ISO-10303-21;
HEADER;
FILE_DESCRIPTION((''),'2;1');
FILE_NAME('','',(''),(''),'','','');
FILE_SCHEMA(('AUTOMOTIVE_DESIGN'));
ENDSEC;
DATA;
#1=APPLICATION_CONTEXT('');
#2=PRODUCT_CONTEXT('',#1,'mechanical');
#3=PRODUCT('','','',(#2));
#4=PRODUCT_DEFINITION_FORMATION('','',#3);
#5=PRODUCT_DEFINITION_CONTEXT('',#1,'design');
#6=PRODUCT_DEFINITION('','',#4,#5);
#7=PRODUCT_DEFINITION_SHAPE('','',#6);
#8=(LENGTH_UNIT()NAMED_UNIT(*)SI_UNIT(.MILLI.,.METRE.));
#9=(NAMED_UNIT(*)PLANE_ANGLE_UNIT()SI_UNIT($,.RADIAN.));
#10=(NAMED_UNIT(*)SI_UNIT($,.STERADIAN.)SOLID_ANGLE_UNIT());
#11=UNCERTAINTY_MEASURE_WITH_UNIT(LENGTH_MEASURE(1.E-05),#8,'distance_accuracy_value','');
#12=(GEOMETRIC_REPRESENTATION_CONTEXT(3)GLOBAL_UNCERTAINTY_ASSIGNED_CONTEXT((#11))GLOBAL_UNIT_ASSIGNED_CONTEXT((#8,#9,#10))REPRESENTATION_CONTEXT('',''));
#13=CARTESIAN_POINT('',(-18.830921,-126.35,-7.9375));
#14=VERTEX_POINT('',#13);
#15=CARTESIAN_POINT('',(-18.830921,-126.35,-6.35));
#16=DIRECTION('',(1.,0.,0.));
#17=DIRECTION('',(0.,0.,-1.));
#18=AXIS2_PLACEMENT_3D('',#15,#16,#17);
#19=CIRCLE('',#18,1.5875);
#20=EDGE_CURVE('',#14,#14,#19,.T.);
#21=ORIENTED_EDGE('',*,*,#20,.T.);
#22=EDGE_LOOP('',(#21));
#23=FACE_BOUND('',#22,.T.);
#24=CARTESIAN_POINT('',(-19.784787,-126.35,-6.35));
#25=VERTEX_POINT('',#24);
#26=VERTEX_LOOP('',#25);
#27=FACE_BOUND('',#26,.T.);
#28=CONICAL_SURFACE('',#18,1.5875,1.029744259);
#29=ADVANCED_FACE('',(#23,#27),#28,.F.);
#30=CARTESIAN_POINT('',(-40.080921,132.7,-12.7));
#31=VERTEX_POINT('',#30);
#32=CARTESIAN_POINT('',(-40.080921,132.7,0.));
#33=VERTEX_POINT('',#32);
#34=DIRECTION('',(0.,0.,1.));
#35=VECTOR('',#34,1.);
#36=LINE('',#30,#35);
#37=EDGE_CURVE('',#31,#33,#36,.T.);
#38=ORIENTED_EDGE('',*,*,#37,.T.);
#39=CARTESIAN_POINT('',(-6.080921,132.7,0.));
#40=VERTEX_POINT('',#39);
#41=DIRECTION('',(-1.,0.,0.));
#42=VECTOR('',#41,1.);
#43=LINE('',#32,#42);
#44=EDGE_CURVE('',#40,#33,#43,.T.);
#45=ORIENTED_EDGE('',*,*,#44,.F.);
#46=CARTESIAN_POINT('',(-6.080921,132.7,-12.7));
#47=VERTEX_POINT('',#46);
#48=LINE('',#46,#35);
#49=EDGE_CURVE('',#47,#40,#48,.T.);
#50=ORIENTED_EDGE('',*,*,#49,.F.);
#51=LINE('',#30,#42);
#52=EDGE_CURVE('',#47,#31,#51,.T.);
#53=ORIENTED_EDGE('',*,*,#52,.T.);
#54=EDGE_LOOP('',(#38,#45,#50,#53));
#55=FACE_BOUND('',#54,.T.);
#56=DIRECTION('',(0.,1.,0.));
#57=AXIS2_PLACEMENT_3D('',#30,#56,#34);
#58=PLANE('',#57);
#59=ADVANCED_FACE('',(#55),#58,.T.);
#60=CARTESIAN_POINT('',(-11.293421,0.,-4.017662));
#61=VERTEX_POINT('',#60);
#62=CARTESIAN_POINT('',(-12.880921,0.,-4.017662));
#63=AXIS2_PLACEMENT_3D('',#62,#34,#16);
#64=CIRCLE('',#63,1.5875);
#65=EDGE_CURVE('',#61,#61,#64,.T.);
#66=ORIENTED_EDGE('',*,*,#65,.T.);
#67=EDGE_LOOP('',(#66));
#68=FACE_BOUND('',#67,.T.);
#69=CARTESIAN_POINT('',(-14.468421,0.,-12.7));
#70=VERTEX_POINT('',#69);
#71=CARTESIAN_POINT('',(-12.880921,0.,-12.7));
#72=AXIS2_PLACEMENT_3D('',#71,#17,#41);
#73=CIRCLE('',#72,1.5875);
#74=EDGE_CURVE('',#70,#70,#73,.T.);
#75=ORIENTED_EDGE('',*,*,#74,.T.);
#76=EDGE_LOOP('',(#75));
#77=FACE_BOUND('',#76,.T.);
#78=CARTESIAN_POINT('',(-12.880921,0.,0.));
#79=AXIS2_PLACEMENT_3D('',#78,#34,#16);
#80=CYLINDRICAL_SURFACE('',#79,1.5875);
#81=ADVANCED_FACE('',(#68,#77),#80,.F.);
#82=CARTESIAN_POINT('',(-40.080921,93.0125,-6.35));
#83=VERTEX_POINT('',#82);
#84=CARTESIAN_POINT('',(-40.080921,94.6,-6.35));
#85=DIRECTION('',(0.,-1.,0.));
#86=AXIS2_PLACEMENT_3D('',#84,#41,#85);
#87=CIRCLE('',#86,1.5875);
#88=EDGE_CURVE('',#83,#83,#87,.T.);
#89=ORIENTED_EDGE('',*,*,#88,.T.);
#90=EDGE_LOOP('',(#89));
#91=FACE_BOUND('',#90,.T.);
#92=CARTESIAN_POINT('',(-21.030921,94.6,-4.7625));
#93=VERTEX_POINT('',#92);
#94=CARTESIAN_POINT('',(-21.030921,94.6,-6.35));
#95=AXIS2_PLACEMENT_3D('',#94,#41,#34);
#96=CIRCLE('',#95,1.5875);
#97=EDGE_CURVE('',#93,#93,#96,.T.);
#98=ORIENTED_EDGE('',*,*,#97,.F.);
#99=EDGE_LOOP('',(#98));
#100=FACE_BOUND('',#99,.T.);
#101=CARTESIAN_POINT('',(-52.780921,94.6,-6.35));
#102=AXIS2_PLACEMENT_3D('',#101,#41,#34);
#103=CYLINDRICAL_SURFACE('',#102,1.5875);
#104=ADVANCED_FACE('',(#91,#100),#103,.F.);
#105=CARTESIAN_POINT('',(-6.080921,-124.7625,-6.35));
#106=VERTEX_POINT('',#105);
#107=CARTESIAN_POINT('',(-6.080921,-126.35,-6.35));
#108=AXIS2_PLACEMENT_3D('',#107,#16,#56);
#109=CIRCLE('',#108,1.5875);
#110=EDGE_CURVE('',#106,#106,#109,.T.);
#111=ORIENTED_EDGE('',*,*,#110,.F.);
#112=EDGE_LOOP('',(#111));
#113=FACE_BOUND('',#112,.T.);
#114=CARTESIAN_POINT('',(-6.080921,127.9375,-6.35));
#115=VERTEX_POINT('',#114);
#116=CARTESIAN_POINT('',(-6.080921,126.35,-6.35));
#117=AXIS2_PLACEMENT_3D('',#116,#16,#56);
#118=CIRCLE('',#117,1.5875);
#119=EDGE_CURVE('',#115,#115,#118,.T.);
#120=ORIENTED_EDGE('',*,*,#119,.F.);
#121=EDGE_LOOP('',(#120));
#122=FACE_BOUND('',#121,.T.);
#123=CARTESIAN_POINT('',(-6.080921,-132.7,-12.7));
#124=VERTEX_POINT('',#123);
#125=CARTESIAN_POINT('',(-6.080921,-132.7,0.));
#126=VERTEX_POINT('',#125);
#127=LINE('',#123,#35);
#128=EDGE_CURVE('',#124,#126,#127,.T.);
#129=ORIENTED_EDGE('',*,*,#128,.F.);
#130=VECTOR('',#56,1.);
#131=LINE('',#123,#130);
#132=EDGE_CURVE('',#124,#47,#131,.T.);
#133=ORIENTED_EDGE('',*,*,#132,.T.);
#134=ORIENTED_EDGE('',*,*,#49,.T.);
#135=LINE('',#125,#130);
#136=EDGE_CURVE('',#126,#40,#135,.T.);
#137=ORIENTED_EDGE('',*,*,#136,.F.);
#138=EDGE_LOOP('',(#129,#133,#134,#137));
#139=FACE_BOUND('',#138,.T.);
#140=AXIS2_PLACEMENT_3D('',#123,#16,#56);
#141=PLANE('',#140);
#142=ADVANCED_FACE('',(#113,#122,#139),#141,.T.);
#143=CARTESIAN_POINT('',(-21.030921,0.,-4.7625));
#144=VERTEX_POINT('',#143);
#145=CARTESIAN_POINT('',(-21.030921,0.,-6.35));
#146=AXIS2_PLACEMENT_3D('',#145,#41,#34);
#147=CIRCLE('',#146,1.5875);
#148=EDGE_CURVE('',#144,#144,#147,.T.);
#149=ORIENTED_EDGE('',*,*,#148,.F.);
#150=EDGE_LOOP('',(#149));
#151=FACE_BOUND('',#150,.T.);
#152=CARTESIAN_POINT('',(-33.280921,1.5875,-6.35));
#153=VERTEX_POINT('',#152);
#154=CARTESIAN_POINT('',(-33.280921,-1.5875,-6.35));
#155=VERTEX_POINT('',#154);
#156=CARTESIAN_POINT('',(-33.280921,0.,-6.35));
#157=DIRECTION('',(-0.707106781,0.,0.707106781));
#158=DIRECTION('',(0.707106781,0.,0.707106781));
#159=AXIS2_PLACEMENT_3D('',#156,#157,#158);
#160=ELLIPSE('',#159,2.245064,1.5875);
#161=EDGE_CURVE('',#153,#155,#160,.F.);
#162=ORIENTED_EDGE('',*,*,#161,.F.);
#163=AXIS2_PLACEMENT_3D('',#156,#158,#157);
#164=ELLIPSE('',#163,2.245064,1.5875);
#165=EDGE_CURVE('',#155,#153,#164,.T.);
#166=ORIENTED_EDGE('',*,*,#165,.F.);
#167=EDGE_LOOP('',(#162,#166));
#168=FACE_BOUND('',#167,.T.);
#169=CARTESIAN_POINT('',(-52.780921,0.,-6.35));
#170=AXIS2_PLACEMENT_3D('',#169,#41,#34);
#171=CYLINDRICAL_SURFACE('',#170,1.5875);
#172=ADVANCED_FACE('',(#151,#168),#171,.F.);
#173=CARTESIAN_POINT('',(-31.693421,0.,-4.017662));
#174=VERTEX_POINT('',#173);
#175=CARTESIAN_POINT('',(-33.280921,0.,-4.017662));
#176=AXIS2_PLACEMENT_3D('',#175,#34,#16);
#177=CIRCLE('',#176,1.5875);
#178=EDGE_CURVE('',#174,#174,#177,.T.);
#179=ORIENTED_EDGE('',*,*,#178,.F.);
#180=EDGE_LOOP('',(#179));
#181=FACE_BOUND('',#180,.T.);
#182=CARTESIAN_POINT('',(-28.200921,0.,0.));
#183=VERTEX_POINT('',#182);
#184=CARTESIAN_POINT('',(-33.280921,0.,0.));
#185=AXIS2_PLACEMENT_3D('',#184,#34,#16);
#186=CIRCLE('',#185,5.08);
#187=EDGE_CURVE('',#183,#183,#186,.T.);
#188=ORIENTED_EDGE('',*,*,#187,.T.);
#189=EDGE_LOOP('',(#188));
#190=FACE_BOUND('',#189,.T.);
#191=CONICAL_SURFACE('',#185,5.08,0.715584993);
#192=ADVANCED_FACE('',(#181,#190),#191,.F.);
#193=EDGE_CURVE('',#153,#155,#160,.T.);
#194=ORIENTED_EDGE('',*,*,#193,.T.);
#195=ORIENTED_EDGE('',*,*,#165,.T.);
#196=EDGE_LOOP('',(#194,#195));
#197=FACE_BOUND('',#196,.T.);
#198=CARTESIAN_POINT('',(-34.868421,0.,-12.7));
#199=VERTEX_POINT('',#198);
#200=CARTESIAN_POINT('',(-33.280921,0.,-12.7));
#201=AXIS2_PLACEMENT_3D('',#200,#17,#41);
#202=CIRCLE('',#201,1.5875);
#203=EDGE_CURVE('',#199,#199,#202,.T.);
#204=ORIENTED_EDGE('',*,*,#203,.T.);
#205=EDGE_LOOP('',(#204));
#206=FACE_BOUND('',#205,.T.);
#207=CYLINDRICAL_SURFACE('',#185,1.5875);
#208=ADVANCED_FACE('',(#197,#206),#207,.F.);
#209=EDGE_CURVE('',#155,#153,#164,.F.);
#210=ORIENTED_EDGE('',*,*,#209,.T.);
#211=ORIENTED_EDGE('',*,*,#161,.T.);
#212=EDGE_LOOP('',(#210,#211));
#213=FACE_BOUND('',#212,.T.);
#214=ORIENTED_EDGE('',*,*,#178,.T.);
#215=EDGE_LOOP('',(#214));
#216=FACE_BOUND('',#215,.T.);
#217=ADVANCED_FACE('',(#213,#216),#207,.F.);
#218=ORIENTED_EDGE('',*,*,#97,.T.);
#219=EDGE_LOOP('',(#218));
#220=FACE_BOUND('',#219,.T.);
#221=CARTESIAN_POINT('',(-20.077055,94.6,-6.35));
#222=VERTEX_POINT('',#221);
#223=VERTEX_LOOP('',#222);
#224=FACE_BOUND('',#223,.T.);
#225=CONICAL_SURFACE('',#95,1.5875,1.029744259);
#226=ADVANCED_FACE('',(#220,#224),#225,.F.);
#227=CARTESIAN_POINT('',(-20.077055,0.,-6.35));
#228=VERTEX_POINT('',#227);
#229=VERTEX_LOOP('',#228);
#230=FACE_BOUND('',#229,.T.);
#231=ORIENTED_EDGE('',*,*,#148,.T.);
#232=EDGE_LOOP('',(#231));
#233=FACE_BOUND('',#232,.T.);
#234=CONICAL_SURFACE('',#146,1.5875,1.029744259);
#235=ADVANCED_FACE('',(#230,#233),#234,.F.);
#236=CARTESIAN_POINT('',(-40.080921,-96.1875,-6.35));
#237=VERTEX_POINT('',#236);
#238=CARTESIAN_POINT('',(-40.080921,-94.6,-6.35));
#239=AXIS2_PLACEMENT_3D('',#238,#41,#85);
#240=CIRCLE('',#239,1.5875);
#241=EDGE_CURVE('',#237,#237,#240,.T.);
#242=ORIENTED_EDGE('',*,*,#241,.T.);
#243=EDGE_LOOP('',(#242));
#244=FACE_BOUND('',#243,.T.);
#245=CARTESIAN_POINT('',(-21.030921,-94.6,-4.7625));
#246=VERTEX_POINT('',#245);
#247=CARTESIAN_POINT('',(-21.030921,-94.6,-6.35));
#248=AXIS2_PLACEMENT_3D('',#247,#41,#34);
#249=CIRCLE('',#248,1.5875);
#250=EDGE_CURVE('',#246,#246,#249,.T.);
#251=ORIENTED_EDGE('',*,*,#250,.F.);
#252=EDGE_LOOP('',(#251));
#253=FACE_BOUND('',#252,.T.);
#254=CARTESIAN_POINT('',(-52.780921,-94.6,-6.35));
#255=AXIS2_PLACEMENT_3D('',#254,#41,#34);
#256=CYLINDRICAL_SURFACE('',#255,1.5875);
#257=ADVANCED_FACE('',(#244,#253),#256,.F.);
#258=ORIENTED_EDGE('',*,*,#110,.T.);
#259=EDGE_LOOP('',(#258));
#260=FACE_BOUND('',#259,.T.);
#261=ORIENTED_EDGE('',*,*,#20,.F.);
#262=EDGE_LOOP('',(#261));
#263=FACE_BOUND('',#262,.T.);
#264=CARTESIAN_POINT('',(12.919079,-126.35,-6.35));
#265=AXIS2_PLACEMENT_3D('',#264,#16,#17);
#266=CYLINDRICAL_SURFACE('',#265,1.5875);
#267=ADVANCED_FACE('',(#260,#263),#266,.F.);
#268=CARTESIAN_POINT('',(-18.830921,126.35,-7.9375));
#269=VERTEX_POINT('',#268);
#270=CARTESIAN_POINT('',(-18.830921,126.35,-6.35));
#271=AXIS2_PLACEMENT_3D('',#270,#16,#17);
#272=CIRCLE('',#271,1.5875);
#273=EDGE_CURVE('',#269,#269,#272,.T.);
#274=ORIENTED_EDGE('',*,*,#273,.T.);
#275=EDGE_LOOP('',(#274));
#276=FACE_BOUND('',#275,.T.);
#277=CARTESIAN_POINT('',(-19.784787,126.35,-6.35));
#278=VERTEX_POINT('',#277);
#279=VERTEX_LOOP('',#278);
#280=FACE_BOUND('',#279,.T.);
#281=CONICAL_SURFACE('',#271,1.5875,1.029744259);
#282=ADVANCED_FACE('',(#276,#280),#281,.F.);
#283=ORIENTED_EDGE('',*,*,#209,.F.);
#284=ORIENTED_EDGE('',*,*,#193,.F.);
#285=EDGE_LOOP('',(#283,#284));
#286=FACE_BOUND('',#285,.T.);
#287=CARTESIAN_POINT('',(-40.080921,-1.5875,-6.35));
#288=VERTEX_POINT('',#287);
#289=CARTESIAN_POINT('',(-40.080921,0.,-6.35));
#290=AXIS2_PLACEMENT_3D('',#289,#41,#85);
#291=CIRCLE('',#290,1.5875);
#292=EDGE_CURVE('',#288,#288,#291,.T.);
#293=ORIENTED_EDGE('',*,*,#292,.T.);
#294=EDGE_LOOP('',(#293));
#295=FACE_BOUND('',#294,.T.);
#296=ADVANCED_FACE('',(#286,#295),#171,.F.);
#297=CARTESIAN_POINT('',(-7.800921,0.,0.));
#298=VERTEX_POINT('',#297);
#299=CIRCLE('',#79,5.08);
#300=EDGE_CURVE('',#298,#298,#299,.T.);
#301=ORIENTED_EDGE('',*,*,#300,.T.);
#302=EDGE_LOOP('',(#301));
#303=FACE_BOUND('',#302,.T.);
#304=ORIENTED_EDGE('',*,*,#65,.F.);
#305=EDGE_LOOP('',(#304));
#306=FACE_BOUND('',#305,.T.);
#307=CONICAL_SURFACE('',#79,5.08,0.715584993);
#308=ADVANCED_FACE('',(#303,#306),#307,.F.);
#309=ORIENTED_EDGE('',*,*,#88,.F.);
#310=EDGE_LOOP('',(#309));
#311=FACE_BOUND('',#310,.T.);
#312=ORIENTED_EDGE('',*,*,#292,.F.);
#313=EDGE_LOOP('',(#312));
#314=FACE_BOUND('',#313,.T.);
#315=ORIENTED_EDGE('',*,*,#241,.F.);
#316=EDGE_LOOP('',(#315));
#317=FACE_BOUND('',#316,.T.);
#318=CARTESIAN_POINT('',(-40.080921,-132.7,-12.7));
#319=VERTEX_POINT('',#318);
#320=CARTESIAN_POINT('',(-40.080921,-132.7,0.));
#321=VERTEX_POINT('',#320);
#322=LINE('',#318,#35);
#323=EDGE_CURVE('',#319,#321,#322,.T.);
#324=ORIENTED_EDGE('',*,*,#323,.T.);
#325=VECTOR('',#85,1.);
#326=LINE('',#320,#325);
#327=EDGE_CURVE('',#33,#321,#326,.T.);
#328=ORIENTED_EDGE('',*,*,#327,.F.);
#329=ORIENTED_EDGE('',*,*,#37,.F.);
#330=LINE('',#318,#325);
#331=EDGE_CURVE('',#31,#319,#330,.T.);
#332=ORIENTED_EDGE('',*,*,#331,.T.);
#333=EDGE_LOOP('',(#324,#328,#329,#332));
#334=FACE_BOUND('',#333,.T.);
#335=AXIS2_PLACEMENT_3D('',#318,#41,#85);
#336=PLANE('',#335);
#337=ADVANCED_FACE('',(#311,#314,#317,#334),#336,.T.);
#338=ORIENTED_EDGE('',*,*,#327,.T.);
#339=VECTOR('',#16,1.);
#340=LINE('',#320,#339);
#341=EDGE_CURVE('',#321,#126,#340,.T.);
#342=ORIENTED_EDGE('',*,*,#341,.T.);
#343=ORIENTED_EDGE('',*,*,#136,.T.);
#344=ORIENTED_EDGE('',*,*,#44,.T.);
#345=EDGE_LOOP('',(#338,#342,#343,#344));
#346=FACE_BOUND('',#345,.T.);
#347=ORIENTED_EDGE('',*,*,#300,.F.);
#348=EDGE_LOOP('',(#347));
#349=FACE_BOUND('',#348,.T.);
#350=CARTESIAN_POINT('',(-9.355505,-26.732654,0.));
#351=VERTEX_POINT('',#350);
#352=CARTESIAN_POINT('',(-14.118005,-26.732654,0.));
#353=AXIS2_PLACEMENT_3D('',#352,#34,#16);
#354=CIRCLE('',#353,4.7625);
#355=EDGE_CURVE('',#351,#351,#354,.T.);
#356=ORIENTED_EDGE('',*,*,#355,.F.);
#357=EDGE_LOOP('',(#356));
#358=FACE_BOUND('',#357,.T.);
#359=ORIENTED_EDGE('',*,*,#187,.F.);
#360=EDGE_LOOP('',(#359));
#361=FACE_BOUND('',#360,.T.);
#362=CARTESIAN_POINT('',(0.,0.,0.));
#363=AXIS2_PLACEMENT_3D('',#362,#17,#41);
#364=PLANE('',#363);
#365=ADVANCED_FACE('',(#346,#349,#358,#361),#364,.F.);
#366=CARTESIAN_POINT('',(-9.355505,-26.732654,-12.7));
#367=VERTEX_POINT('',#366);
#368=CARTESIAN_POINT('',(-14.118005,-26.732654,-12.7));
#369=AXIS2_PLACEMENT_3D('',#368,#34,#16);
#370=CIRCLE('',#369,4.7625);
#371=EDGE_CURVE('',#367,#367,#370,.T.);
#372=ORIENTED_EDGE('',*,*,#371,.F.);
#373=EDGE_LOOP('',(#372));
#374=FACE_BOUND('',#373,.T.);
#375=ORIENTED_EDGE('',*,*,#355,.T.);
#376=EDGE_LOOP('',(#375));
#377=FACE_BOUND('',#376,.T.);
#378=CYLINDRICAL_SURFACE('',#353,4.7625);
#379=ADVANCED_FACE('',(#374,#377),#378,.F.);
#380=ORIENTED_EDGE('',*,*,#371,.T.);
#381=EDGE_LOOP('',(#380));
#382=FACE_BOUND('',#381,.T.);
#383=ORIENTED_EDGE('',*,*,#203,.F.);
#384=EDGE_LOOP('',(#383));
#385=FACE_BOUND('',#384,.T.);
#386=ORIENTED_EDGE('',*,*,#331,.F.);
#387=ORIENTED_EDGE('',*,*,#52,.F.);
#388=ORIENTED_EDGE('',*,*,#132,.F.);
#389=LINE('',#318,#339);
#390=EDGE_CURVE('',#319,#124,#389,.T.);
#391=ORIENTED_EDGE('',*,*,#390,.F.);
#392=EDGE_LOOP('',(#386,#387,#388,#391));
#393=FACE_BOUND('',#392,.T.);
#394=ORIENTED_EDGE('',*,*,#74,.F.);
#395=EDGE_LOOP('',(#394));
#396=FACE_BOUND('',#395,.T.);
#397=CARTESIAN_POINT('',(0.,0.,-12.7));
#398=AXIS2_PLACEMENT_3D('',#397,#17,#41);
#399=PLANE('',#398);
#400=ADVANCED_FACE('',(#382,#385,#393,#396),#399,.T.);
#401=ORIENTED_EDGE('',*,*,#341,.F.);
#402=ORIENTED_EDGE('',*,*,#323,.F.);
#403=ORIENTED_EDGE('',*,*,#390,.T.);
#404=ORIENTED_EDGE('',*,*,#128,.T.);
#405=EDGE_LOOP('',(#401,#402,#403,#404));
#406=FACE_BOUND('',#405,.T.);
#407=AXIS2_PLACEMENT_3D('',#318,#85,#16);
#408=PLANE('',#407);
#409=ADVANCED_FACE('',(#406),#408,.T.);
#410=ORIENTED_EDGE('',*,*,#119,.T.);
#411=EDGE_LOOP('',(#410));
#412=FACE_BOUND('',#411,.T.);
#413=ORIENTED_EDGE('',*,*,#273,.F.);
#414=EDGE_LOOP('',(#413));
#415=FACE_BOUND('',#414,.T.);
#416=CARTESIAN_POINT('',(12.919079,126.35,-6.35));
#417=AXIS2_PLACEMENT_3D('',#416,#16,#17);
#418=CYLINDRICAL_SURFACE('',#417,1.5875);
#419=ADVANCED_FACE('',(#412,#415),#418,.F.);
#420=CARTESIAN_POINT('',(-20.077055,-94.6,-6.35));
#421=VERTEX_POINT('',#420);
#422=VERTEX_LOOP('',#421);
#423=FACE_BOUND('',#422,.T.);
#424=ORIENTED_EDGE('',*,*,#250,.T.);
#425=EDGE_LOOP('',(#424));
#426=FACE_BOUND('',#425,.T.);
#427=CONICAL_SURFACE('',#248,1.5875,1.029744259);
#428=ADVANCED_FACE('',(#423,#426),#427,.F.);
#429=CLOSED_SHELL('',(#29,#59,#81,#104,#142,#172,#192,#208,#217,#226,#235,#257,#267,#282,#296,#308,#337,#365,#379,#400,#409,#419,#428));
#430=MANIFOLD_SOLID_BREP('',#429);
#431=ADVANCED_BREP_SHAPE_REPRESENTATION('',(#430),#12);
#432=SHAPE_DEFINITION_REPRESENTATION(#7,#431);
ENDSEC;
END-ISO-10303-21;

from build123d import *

# Parameters (mm, degrees)
SKETCH1_W                    = 34
SKETCH1_H                    = 265.399999988
BOSS_EXTRUDE1_DEPTH          = 12.7
F_3_8_0_375_DIAMETER_HOLE1_D = 9.525
HOLE1_D                      = 3.175
HOLE1_DEPTH                  = 31.75
HOLE1_CSINK_D                = 10.16
HOLE1_CSINK_ANGLE            = 82
HOLE1_TIP                    = 0.953866233
HOLE3_D                      = 3.175
HOLE3_DEPTH                  = 31.75
HOLE3_CSINK_D                = 10.16
HOLE3_CSINK_ANGLE            = 82
HOLE3_TIP                    = 0.953866233
HOLE4_D                      = 3.175
HOLE4_DEPTH                  = 31.75
HOLE4_CSINK_D                = 10.16
HOLE4_CSINK_ANGLE            = 82
HOLE4_TIP                    = 0.953866233


with BuildPart() as part:
    # Sketch1 → Boss-Extrude1 (new body)
    with BuildSketch(Plane.XY):
        with Locations((-23.08092085, 0)):
            Rectangle(SKETCH1_W, SKETCH1_H)
    extrude(amount=-BOSS_EXTRUDE1_DEPTH)

    # 3/8 (0.375) Diameter Hole1 (through all)
    with Locations(Plane.XY):
        with Locations((-14.118005489, -26.732654045)):
            Hole(F_3_8_0_375_DIAMETER_HOLE1_D / 2)

    # Hole1
    with Locations(Plane(origin=(12.91907915, 0, 155.024290059), x_dir=(0, -1, 0), z_dir=(1, 0, 0))):
        with Locations((126.349999994, 161.374290059), (146.083333327, 4.074290059), (172.166666661, 4.074290059), (126.349999994, 34.524290059), (126.349999994, 130.924290059), (-172.166666661, 4.074290059), (-146.083333327, 4.074290059), (-126.349999994, 34.524290059), (-126.349999994, 130.924290059), (-126.349999994, 161.374290059)):
            CounterSinkHole(HOLE1_D / 2, HOLE1_CSINK_D / 2, depth=HOLE1_DEPTH, counter_sink_angle=HOLE1_CSINK_ANGLE)
            with Locations((0, 0, -(HOLE1_DEPTH + HOLE1_TIP / 2))):  # 118° drill point
                Cone(0, HOLE1_D / 2, HOLE1_TIP, mode=Mode.SUBTRACT)

    # Hole3
    with Locations(Plane(origin=(-195.367659426, 0, 0), x_dir=(0, -1, 0), z_dir=(0, 0, 1))):
        with Locations((0, 162.086738577), (0, 182.486738577)):
            CounterSinkHole(HOLE3_D / 2, HOLE3_CSINK_D / 2, depth=HOLE3_DEPTH, counter_sink_angle=HOLE3_CSINK_ANGLE)
            with Locations((0, 0, -(HOLE3_DEPTH + HOLE3_TIP / 2))):  # 118° drill point
                Cone(0, HOLE3_D / 2, HOLE3_TIP, mode=Mode.SUBTRACT)

    # Hole4
    with Locations(Plane(origin=(-52.78092085, 0, 155.024290059), x_dir=(0, 1, 0), z_dir=(-1, 0, 0))):
        with Locations((-207.774999994, 333.02141023), (-207.774999994, 225.48903684), (-207.774999994, 137.424290059), (-172.166666661, 4.074290059), (-146.083333327, 4.074290059), (-94.599999994, 161.374290059), (0, 161.374290059), (94.599999994, 161.374290059), (146.083333327, 4.074290059), (172.166666661, 4.074290059), (207.774999994, 137.424290059), (207.774999994, 225.48903684), (207.774999994, 333.02141023), (166.795833328, 301.970350905), (40.979166666, 301.970350905), (-40.979166666, 301.970350905), (-166.795833328, 301.970350905), (0, 193.124290059), (0, 301.970350905), (0, 412.366411751), (-126.349999994, 106.824290059), (-126.349999994, 58.624290059), (126.349999994, 58.624290059), (126.349999994, 106.824290059)):
            CounterSinkHole(HOLE4_D / 2, HOLE4_CSINK_D / 2, depth=HOLE4_DEPTH, counter_sink_angle=HOLE4_CSINK_ANGLE)
            with Locations((0, 0, -(HOLE4_DEPTH + HOLE4_TIP / 2))):  # 118° drill point
                Cone(0, HOLE4_D / 2, HOLE4_TIP, mode=Mode.SUBTRACT)


solid = part.part
